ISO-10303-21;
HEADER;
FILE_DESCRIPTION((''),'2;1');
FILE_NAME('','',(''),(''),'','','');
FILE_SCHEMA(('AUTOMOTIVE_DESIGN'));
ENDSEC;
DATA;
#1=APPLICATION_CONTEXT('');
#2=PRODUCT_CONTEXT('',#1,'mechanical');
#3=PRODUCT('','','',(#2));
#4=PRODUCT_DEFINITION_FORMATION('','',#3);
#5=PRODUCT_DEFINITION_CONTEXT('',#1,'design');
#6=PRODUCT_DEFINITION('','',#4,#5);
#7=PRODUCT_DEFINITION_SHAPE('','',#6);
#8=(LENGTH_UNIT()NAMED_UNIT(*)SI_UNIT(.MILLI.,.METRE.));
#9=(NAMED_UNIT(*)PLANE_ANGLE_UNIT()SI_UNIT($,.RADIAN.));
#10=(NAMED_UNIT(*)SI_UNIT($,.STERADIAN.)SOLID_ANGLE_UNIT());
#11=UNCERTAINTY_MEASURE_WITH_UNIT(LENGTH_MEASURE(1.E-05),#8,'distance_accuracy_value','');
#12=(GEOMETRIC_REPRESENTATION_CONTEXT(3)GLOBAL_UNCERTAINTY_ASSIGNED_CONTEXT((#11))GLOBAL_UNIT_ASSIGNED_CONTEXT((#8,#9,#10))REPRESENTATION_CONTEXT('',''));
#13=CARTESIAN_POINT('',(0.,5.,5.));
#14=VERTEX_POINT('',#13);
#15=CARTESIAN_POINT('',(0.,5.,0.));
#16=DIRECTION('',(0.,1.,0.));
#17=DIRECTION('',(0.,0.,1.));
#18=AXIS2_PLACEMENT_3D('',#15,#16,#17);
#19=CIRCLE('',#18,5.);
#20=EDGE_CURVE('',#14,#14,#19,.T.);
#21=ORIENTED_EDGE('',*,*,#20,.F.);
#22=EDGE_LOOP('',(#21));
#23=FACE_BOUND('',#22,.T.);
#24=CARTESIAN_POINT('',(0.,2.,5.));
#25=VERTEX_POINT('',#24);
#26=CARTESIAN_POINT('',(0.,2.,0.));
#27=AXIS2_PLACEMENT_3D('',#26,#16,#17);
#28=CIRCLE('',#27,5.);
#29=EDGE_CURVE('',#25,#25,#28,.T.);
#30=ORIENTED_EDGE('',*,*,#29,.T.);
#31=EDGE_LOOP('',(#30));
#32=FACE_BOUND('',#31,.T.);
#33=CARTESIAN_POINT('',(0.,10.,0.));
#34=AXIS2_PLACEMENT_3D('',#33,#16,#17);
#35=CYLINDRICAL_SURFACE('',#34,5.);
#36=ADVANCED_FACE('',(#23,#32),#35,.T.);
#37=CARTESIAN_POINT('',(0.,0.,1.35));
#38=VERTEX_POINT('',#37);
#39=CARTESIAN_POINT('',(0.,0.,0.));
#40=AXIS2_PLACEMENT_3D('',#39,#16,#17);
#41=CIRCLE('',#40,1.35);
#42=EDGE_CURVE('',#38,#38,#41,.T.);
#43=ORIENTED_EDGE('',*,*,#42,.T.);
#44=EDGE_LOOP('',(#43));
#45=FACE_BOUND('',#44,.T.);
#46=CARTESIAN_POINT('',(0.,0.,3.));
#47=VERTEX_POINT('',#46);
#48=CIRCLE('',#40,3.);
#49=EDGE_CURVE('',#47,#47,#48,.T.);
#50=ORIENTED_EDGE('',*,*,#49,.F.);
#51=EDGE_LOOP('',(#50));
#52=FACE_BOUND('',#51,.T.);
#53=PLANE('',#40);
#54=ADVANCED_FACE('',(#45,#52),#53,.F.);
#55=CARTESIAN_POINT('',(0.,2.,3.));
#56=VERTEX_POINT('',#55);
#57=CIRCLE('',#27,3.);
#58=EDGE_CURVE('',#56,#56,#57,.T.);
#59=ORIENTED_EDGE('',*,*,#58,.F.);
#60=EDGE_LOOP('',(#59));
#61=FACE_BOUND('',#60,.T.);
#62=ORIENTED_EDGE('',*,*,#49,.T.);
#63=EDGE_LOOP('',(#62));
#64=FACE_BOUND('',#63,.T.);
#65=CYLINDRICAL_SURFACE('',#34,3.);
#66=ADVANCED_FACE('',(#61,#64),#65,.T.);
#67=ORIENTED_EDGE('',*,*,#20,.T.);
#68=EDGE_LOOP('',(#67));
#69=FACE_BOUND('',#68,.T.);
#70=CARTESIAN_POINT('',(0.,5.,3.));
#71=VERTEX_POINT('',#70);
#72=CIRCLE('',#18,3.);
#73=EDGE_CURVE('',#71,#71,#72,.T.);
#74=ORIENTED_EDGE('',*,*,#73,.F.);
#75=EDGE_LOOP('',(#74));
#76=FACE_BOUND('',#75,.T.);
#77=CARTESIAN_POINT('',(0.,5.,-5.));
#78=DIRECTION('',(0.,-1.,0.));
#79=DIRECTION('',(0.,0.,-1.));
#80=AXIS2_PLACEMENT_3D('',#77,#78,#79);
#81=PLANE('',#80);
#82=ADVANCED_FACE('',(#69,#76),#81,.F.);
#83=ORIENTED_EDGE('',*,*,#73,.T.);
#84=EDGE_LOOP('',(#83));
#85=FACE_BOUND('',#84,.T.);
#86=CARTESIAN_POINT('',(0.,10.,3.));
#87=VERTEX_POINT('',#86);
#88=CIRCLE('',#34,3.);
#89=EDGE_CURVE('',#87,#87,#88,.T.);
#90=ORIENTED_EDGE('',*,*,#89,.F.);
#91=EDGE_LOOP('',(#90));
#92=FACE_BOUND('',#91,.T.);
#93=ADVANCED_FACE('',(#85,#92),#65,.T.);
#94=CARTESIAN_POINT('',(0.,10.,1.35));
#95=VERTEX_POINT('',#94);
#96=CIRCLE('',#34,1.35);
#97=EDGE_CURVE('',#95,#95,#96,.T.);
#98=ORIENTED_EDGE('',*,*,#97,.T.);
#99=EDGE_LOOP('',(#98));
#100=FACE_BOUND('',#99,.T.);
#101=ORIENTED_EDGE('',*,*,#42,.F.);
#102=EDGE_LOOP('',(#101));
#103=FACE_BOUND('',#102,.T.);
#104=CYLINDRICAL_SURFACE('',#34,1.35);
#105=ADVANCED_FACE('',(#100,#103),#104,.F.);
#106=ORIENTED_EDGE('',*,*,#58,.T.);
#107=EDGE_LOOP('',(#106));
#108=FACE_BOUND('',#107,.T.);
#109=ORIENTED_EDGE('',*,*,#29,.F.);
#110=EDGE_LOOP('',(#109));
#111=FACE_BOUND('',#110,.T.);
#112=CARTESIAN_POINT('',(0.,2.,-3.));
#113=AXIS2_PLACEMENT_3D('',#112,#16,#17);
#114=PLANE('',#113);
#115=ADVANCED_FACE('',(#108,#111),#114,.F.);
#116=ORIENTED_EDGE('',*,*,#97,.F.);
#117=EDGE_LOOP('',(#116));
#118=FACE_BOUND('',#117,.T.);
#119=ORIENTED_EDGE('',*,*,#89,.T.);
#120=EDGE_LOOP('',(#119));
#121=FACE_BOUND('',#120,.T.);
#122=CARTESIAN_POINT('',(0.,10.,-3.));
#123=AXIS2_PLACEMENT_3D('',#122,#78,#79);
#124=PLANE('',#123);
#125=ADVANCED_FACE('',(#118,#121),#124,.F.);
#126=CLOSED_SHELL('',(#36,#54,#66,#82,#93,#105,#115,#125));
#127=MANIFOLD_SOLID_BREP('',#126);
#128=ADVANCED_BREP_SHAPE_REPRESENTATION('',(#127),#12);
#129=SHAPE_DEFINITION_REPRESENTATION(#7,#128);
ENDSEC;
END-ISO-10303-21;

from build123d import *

# Parameters (mm, degrees)
HOLE_WIZARD_2_7_2_7_1_D = 2.7


with BuildPart() as part:
    # 草圖1 → 旋轉1 (revolve)
    with BuildSketch(Plane(origin=(0, 0, 0), x_dir=(0, 0, -1), z_dir=(1, 0, 0)), mode=Mode.PRIVATE) as revolve_1_sk:
        Polygon((0, 0), (3, 0), (3, 2), (5, 2), (5, 5), (3, 5), (3, 10), (0, 10), align=None)
    revolve(revolve_1_sk.sketch.rotate(Axis((0, 10, 0), (0, -1, 0)), 180), axis=Axis((0, 10, 0), (0, -1, 0)))

    # Ø2.7 (2.7) 直徑孔1 (through all)
    with Locations(Plane(origin=(0, 10, 0), x_dir=(1, 0, 0), z_dir=(0, 1, 0))):
        with Locations((0, 0)):
            Hole(HOLE_WIZARD_2_7_2_7_1_D / 2)


solid = part.part
